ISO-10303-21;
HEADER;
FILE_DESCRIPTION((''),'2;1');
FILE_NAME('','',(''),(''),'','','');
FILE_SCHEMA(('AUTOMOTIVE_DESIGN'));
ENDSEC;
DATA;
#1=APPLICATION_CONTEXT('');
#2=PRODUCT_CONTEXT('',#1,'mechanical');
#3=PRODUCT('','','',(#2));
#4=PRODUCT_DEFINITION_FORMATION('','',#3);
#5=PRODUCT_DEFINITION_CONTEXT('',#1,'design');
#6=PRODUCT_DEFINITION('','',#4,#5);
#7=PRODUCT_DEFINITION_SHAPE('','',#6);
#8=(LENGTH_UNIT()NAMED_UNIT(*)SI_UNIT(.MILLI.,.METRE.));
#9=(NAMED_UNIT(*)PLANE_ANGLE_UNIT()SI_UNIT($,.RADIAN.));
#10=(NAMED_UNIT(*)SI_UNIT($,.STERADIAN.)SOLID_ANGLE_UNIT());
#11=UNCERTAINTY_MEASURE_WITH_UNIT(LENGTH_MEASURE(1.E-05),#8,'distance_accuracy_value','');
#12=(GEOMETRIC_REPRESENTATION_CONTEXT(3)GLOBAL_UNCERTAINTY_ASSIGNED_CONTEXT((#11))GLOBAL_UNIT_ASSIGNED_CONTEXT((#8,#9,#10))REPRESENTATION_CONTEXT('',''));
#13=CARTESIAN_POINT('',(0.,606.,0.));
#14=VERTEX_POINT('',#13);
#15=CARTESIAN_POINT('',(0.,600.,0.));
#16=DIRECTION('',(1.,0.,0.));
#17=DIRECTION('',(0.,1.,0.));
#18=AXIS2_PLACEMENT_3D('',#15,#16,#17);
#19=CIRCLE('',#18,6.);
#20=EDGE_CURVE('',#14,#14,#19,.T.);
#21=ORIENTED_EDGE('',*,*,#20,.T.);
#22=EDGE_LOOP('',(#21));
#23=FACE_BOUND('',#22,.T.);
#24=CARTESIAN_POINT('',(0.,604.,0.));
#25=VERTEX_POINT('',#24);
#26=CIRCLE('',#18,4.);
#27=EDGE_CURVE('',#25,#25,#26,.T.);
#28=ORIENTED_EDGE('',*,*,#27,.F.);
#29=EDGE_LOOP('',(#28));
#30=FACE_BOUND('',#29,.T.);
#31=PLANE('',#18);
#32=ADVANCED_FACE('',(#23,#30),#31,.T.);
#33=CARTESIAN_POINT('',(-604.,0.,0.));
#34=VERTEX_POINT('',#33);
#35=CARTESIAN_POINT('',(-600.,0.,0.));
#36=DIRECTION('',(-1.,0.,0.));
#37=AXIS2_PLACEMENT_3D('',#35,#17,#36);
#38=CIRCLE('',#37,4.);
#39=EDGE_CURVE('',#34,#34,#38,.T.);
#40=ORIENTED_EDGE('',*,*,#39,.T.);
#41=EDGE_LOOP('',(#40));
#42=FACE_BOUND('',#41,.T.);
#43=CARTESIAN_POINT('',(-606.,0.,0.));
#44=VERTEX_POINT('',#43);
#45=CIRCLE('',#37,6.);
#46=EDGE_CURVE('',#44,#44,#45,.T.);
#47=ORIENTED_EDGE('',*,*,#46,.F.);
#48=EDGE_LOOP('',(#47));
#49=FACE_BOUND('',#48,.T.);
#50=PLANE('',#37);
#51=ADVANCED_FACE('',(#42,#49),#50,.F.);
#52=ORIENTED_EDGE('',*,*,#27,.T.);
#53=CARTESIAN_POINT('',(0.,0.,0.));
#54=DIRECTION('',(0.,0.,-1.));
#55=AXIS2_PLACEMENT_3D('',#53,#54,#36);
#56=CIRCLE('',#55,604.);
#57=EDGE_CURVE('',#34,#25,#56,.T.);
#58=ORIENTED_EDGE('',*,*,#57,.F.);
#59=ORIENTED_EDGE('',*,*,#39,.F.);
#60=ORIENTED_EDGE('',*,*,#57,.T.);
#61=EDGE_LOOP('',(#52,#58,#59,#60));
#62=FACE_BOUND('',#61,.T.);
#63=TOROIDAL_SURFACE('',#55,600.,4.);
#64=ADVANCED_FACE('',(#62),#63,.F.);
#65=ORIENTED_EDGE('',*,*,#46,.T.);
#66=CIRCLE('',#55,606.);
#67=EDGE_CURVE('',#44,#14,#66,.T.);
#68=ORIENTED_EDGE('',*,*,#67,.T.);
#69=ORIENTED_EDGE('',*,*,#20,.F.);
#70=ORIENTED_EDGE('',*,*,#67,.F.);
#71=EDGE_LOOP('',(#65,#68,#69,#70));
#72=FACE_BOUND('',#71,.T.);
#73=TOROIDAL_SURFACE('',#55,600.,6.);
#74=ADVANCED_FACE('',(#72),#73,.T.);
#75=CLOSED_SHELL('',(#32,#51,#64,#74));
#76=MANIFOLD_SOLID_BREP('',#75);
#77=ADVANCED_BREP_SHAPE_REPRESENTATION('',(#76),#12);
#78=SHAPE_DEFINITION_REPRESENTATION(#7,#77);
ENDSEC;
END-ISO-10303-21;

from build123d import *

# Parameters (mm, degrees)
SWEEP_1_PROFILE_R   = 6
SWEEP_1_PROFILE_R_2 = 4


with BuildPart() as part:
    # 扫描-薄件1: sweep along a path in 草图1
    with BuildLine(Plane.XY) as sweep_1_path:
        ThreePointArc((-600, 0), (-424.264068712, 424.264068712), (0, 600))
    # 扫描-薄件1 profile (on start of the path) → 扫描-薄件1 (sweep)
    with BuildSketch(Plane(origin=(-600, 0, 0), x_dir=(1, 0, 0), z_dir=(0, 1, 0))):
        Circle(SWEEP_1_PROFILE_R)
        Circle(SWEEP_1_PROFILE_R_2, mode=Mode.SUBTRACT)
    sweep(path=sweep_1_path.line)


solid = part.part
